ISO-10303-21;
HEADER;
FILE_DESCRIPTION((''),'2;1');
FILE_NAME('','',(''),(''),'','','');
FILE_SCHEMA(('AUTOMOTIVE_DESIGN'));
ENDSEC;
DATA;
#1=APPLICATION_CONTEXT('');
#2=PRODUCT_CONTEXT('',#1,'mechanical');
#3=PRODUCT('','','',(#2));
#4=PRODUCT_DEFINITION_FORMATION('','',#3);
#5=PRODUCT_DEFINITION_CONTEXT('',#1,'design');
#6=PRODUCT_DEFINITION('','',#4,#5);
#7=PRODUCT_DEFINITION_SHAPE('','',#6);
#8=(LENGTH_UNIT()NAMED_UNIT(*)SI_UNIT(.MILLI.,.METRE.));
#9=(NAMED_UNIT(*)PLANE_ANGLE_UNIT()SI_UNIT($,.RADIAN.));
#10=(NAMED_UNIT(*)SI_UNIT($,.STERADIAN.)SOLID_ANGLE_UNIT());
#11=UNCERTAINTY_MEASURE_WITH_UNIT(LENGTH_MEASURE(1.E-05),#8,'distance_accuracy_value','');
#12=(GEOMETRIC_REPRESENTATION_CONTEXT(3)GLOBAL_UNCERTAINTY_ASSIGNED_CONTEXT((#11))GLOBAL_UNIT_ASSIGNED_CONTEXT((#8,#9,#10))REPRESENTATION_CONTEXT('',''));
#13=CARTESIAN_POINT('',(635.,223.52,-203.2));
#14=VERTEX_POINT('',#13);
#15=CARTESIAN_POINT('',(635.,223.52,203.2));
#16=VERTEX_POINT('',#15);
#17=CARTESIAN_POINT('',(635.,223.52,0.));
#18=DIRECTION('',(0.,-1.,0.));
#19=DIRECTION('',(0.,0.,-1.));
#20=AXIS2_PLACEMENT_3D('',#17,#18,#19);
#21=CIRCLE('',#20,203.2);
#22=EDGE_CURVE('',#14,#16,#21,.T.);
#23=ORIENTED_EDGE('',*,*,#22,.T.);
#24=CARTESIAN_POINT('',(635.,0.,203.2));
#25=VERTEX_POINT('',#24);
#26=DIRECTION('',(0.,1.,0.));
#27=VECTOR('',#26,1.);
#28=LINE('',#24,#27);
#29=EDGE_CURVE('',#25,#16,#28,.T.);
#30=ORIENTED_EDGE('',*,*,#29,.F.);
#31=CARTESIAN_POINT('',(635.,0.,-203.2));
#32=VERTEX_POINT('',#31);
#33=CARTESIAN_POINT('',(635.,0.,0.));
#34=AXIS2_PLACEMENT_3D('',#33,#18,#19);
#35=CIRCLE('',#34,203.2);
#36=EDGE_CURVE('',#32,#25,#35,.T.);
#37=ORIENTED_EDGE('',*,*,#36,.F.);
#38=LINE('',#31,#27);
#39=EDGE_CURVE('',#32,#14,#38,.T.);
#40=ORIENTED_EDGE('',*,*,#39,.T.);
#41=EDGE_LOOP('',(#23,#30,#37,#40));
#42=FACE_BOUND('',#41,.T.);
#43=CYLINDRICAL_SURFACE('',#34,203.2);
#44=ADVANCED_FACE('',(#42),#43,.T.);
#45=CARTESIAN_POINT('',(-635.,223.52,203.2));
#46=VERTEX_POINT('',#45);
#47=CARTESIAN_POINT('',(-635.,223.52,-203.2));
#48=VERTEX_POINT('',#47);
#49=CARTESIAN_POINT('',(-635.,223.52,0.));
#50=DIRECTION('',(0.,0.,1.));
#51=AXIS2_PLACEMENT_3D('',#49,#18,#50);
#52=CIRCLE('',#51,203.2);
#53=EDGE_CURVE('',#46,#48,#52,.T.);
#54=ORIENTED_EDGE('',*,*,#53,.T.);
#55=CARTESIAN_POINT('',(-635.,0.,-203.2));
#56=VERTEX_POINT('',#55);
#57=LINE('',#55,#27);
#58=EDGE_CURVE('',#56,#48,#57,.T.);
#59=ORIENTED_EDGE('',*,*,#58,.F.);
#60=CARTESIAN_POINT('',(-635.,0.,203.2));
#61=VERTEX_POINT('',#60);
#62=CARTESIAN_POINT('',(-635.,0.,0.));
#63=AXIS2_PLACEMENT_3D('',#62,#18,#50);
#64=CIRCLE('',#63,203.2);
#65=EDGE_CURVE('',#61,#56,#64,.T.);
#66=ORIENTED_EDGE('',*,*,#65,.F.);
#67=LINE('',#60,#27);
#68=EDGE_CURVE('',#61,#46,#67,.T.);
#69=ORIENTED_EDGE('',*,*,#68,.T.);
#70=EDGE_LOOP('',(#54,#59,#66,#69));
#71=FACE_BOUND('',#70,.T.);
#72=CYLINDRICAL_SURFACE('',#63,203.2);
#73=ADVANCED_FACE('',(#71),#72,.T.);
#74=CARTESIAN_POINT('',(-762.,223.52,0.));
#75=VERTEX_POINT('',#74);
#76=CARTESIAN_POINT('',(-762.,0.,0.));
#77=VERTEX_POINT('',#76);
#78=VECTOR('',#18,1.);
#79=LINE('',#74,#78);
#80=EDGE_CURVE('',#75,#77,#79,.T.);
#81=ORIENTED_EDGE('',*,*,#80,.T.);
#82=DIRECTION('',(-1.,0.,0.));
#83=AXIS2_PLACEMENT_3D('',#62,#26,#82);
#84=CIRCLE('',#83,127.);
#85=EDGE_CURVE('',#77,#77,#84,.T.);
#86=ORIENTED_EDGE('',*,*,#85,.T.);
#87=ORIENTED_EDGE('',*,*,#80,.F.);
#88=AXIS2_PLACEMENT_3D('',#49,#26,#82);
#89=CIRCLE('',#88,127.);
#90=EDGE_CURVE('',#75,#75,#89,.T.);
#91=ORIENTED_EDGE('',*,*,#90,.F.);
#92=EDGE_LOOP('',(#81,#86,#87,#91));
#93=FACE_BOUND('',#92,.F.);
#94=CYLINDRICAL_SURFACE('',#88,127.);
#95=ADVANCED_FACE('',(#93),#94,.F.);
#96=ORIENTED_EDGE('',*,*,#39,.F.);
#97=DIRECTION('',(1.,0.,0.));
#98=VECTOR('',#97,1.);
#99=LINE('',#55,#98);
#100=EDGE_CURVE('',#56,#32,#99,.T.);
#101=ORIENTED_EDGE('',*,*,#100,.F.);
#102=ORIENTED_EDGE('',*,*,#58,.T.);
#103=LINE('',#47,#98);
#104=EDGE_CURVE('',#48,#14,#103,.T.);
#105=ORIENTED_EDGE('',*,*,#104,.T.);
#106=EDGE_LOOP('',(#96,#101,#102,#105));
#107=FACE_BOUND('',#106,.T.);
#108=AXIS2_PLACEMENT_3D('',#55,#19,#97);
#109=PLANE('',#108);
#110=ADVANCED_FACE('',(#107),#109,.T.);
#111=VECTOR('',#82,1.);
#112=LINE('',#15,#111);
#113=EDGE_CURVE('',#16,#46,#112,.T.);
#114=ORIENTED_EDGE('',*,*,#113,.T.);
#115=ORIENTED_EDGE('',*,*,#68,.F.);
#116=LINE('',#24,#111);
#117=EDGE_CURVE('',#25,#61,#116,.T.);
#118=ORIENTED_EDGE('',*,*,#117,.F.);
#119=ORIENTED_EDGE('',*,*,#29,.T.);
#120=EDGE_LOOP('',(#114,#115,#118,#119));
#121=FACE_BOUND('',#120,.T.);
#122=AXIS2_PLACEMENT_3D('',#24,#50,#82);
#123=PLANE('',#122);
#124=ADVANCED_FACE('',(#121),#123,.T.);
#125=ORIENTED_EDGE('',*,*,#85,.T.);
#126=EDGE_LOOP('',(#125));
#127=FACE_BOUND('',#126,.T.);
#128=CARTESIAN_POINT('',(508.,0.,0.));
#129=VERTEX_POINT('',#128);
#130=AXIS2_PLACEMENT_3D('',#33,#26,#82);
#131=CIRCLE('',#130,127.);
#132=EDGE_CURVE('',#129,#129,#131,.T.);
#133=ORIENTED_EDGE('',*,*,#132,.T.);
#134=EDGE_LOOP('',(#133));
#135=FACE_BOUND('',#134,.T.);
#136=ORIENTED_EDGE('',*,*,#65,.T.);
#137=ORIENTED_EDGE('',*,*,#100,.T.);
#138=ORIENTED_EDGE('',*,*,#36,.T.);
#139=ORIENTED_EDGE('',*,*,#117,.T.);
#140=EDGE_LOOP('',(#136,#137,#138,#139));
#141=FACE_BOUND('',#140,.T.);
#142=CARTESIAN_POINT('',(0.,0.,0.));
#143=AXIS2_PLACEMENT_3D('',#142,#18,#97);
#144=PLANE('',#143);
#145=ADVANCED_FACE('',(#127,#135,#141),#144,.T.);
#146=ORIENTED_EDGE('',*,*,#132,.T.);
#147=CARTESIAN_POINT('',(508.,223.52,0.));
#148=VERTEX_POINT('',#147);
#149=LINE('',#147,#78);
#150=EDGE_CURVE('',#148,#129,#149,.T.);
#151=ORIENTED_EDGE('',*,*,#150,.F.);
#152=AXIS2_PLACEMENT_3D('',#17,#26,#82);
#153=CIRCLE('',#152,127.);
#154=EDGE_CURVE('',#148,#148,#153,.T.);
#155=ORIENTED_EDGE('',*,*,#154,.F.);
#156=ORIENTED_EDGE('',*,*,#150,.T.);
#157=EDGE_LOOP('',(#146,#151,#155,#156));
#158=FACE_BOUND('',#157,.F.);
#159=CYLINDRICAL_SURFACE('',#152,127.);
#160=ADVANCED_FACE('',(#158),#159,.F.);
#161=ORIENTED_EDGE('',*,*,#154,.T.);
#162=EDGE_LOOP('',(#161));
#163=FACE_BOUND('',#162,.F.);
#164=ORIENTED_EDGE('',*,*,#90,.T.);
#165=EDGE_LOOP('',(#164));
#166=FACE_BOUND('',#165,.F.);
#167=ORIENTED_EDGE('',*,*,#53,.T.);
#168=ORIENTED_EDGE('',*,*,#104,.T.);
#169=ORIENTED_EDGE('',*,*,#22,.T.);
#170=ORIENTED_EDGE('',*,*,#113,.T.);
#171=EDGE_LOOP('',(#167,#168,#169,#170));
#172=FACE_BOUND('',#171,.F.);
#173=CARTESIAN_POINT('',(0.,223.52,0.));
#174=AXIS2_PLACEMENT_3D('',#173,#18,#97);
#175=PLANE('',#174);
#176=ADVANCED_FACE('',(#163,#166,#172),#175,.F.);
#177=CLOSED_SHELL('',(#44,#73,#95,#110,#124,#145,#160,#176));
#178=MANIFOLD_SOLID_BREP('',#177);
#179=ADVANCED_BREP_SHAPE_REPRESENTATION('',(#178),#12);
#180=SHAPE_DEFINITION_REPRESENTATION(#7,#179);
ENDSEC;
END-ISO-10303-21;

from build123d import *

# Parameters (mm, degrees)
F1_DEPTH = 223.52
F2_R     = 127
F3_DEPTH = 833.12


with BuildPart() as f1:
    # F0 (on Front) → F1 (new body)
    with BuildSketch(Plane.XZ):
        with BuildLine():
            Line((635, 203.2), (-635, 203.2))
            ThreePointArc((-635, 203.2), (-838.2, 0), (-635, -203.2))
            Line((-635, -203.2), (635, -203.2))
            ThreePointArc((635, -203.2), (838.2, 0), (635, 203.2))
        make_face()
    extrude(amount=-F1_DEPTH)

    # F2 (on face) → F3 (cut)
    with BuildSketch(Plane(origin=(0, 223.52, 0), x_dir=(-1, 0, 0), z_dir=(0, 1, 0))):
        with Locations((-635, 0)):
            Circle(F2_R)
        with Locations((635, 0)):
            Circle(F2_R)
    extrude(amount=-F3_DEPTH, mode=Mode.SUBTRACT)


solid = f1.part
